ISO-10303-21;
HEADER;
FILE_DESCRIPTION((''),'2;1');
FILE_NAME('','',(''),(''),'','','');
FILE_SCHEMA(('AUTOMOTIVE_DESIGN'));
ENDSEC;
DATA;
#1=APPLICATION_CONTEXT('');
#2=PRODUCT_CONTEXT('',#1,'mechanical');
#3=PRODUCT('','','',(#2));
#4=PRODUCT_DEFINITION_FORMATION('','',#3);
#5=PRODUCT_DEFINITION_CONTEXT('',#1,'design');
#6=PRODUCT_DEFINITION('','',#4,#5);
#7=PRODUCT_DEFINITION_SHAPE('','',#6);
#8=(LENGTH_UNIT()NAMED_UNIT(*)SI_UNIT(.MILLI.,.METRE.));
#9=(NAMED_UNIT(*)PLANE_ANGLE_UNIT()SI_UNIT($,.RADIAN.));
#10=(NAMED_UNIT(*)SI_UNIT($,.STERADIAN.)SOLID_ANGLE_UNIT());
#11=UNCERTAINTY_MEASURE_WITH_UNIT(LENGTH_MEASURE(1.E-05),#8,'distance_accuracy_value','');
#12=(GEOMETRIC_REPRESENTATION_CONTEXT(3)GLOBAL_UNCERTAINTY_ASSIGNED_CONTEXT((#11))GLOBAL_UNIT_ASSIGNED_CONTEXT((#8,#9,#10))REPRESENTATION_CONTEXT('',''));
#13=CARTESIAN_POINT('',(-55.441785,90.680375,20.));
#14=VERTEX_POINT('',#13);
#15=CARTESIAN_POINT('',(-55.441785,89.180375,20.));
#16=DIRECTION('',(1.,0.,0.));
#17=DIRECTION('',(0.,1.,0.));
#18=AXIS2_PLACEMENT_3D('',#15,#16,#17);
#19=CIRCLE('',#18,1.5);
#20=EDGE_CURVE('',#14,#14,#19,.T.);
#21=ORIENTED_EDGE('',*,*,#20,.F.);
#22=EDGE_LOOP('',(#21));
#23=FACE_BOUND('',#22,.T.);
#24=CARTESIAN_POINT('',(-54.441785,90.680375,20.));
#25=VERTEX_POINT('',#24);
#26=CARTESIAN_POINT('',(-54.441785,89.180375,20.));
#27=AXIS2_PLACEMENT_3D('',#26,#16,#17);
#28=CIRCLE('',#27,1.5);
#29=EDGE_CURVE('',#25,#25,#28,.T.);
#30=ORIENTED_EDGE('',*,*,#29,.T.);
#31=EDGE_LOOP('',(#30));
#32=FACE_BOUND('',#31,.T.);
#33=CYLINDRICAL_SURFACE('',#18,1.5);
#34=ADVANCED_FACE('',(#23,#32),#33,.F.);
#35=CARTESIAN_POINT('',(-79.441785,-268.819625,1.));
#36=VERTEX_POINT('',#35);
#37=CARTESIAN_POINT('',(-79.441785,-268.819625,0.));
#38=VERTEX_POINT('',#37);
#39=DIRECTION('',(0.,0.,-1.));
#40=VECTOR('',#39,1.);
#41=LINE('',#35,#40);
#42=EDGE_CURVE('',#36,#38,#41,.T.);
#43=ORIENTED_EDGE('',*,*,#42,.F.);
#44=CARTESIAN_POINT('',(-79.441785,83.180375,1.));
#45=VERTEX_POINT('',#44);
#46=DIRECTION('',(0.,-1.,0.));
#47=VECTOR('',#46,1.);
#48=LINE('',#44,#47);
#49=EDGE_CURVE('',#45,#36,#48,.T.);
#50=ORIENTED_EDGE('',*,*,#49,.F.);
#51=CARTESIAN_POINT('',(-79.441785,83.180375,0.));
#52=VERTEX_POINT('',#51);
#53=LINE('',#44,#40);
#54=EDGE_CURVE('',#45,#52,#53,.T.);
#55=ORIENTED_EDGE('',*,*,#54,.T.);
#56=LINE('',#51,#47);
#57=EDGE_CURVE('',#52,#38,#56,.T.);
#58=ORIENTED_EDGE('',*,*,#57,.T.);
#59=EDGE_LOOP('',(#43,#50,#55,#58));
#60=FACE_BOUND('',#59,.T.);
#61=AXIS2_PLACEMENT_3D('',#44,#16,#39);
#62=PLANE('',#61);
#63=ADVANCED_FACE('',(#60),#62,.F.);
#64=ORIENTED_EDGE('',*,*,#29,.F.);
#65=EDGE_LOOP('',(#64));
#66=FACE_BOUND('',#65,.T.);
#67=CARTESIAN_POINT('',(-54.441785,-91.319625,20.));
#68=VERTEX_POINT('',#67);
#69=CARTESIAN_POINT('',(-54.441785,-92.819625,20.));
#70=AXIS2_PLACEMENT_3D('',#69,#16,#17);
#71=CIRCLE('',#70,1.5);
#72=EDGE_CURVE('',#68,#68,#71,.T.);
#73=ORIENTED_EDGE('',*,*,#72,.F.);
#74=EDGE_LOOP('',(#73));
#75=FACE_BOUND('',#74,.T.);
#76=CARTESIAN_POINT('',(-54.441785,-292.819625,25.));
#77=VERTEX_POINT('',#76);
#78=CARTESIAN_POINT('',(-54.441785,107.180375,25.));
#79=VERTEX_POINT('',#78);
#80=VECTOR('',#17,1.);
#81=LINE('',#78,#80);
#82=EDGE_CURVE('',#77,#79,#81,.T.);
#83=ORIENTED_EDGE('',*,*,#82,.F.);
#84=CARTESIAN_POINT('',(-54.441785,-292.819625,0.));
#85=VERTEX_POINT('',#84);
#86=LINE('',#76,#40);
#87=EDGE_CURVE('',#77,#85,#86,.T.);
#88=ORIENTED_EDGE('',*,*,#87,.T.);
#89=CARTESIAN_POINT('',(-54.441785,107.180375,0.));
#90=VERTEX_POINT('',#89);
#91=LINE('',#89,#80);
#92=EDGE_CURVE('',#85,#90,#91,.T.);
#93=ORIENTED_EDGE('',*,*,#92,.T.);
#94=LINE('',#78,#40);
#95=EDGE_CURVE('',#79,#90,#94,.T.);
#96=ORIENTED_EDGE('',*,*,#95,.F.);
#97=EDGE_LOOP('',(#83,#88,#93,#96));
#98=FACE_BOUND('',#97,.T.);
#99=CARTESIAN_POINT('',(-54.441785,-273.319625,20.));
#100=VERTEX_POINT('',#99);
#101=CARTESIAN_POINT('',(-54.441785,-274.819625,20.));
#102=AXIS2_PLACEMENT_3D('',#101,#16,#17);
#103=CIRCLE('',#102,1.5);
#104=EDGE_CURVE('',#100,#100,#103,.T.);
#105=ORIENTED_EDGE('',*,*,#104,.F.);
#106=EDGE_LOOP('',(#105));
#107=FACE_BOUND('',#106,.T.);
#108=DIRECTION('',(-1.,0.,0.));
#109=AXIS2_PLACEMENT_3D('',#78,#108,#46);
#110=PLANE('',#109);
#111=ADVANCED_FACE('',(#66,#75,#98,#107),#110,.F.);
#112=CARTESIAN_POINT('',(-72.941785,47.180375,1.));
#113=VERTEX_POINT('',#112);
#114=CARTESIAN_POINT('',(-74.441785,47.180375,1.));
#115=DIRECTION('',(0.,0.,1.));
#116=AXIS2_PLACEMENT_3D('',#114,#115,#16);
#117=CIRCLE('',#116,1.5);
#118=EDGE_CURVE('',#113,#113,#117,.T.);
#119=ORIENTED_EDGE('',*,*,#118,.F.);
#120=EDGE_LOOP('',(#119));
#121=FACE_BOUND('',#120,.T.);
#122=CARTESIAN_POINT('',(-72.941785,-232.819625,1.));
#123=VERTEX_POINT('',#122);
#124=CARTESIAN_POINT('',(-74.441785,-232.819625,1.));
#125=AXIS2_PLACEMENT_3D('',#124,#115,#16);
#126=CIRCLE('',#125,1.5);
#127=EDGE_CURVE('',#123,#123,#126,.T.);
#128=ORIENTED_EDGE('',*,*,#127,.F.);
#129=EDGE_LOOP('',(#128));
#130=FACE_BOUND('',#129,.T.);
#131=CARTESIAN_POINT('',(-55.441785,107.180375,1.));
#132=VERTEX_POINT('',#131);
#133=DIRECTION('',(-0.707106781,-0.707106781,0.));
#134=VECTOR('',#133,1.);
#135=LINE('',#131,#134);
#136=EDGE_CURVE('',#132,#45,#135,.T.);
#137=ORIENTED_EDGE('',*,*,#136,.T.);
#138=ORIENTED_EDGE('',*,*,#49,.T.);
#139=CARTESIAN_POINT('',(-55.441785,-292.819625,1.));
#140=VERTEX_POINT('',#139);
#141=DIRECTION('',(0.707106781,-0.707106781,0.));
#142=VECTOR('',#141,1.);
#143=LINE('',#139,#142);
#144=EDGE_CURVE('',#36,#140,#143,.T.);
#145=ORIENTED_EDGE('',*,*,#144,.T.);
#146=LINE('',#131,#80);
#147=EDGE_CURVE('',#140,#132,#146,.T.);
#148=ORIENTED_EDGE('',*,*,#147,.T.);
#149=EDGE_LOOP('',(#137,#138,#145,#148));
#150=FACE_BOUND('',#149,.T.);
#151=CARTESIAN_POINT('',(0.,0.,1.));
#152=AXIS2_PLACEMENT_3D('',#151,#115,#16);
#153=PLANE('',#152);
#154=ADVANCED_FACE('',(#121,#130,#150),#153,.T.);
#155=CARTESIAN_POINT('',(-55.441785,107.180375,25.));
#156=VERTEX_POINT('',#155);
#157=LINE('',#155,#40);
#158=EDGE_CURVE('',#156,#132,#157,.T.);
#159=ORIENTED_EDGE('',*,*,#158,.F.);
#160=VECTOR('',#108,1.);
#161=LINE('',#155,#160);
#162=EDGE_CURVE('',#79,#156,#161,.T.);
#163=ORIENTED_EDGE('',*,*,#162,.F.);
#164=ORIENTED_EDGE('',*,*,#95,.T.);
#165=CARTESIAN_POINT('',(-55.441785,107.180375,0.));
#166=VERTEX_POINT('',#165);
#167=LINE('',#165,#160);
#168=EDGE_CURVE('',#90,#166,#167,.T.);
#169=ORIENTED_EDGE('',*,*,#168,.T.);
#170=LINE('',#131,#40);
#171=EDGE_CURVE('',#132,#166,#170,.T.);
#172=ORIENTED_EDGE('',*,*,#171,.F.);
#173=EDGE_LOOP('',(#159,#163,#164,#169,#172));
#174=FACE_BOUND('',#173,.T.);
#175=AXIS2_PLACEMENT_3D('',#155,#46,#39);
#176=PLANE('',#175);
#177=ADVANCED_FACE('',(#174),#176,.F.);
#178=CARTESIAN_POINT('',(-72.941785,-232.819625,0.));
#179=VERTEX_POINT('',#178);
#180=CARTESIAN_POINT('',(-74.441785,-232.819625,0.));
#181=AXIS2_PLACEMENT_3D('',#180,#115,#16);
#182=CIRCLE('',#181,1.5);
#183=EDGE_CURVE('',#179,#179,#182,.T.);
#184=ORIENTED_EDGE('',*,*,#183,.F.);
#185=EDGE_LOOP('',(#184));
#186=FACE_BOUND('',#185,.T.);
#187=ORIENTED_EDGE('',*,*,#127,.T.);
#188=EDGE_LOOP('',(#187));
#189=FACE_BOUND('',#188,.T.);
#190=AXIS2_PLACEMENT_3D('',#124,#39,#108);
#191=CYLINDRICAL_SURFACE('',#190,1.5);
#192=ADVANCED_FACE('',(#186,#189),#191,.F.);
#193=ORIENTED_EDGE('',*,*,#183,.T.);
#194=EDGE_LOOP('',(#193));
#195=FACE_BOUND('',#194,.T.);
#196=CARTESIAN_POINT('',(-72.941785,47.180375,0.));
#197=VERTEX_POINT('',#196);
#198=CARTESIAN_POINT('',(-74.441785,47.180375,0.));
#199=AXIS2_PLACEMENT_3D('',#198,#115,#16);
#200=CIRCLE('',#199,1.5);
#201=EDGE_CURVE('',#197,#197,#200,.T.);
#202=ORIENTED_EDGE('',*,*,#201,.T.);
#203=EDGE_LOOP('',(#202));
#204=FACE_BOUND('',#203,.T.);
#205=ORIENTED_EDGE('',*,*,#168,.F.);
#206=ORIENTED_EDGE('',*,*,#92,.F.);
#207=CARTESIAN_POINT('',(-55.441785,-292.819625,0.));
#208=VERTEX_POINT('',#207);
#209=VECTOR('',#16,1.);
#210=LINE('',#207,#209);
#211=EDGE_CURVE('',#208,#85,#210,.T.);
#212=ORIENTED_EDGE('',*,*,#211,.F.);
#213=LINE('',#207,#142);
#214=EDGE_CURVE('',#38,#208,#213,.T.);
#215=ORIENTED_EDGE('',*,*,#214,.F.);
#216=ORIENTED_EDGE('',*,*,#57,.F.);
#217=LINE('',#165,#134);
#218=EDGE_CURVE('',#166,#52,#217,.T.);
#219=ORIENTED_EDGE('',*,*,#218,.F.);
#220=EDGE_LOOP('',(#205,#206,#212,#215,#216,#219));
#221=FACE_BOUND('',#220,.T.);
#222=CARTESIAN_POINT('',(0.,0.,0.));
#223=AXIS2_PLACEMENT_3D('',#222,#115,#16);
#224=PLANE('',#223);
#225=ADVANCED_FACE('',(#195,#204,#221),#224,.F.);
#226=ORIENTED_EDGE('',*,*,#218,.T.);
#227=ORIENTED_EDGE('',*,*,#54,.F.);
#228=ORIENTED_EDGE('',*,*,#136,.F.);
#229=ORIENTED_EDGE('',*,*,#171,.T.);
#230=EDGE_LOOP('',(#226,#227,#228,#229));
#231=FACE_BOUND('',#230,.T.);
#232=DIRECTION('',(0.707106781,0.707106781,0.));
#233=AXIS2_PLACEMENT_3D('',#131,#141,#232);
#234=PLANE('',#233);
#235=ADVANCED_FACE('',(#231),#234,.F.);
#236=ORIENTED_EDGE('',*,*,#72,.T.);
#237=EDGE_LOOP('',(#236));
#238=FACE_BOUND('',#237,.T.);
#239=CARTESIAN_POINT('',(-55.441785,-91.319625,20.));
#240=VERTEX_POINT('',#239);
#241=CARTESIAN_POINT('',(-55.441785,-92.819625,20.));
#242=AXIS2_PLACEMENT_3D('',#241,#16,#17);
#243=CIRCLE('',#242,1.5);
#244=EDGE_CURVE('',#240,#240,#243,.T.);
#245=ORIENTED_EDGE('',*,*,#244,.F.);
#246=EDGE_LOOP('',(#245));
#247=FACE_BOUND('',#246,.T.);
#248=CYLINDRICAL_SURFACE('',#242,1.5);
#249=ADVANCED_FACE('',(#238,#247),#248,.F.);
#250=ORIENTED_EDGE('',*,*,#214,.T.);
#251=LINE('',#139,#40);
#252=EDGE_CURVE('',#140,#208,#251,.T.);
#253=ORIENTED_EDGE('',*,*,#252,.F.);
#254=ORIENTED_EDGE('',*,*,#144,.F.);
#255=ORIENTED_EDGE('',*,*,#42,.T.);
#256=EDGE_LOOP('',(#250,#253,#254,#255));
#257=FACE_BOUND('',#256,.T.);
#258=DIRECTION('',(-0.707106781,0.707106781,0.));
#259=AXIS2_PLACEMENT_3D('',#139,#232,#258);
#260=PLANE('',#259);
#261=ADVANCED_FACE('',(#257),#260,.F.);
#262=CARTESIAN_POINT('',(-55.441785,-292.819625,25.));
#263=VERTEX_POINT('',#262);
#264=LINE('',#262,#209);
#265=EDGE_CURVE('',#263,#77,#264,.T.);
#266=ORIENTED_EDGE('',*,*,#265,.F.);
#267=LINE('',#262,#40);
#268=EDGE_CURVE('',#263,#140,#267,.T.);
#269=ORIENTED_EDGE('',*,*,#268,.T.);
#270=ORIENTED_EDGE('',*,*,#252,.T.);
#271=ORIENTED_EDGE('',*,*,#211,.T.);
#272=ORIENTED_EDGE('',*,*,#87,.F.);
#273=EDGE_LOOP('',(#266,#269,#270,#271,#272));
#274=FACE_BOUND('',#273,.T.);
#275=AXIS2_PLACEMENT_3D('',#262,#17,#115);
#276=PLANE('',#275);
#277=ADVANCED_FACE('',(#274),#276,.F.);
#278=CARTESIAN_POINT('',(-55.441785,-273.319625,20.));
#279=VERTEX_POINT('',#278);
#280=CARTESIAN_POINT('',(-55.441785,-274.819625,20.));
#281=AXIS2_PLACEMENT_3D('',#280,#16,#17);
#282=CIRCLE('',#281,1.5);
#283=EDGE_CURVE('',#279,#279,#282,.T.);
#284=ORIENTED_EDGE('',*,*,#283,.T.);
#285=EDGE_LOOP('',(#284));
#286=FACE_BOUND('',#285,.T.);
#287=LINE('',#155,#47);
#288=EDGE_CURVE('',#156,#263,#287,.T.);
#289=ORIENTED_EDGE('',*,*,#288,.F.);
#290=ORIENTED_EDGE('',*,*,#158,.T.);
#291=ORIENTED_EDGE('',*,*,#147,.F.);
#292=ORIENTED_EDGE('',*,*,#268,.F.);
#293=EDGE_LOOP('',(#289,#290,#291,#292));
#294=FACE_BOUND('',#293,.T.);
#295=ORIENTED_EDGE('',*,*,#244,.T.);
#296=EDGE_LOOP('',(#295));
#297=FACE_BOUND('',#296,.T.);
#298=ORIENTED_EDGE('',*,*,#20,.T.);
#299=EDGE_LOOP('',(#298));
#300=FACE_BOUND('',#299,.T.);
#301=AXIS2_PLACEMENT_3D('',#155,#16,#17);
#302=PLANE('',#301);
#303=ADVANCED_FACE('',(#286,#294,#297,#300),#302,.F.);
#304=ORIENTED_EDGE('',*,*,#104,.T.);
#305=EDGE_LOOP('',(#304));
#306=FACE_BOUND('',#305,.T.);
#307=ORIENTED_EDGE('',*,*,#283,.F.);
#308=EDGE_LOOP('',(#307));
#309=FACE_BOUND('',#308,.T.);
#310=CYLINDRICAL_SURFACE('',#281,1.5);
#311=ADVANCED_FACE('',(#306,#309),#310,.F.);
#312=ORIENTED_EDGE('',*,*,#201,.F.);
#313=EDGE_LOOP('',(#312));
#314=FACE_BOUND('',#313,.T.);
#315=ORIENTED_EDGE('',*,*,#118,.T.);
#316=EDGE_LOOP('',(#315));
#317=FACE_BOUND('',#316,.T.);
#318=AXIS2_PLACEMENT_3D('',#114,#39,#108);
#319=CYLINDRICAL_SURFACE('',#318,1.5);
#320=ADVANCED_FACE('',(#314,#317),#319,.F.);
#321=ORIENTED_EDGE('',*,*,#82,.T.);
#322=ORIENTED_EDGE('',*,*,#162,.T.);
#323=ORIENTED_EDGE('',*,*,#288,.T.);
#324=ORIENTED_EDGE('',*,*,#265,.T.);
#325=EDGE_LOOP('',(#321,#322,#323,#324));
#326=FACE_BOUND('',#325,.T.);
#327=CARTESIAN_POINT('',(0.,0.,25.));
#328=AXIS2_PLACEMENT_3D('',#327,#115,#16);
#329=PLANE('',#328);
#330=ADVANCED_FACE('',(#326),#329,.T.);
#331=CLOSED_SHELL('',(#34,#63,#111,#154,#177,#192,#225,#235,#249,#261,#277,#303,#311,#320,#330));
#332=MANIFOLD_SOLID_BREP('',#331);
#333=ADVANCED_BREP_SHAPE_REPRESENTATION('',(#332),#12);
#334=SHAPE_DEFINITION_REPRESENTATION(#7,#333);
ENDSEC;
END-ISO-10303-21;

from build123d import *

# Parameters (mm, degrees)
CROQUIS2_W              = 1
CROQUIS2_H              = 400
SALIENTE_EXTRUIR2_DEPTH = 25
CROQUIS5_R              = 1.5
CORTAR_EXTRUIR2_DEPTH   = 1
CROQUIS1_R              = 1.5
SALIENTE_EXTRUIR3_DEPTH = 1


with BuildPart() as part:
    # Croquis2 → Saliente-Extruir2 (new body)
    with BuildSketch(Plane.XY):
        with Locations((-54.941785307, -92.819624774)):
            Rectangle(CROQUIS2_W, CROQUIS2_H)
    extrude(amount=SALIENTE_EXTRUIR2_DEPTH)

    # Croquis5 → Cortar-Extruir2 (cut)
    with BuildSketch(Plane(origin=(-54.441785307, 0, 0), x_dir=(0, 0, -1), z_dir=(1, 0, 0))):
        with Locations((-20, 89.180375226)):
            Circle(CROQUIS5_R)
        with Locations((-20, -274.819624774)):
            Circle(CROQUIS5_R)
        with Locations((-20, -92.819624774)):
            Circle(CROQUIS5_R)
    extrude(amount=-CORTAR_EXTRUIR2_DEPTH, mode=Mode.SUBTRACT)

    # Croquis1 → Saliente-Extruir3 (add)
    with BuildSketch(Plane.XY):
        Polygon((-79.441785307, 83.180375226), (-79.441785307, -268.819624774), (-55.441785307, -292.819624774), (-55.441785307, 107.180375226), align=None)
        with Locations((-74.441785307, 47.180375226)):
            Circle(CROQUIS1_R, mode=Mode.SUBTRACT)
        with Locations((-74.441785307, -232.819624774)):
            Circle(CROQUIS1_R, mode=Mode.SUBTRACT)
    extrude(amount=SALIENTE_EXTRUIR3_DEPTH)


solid = part.part
